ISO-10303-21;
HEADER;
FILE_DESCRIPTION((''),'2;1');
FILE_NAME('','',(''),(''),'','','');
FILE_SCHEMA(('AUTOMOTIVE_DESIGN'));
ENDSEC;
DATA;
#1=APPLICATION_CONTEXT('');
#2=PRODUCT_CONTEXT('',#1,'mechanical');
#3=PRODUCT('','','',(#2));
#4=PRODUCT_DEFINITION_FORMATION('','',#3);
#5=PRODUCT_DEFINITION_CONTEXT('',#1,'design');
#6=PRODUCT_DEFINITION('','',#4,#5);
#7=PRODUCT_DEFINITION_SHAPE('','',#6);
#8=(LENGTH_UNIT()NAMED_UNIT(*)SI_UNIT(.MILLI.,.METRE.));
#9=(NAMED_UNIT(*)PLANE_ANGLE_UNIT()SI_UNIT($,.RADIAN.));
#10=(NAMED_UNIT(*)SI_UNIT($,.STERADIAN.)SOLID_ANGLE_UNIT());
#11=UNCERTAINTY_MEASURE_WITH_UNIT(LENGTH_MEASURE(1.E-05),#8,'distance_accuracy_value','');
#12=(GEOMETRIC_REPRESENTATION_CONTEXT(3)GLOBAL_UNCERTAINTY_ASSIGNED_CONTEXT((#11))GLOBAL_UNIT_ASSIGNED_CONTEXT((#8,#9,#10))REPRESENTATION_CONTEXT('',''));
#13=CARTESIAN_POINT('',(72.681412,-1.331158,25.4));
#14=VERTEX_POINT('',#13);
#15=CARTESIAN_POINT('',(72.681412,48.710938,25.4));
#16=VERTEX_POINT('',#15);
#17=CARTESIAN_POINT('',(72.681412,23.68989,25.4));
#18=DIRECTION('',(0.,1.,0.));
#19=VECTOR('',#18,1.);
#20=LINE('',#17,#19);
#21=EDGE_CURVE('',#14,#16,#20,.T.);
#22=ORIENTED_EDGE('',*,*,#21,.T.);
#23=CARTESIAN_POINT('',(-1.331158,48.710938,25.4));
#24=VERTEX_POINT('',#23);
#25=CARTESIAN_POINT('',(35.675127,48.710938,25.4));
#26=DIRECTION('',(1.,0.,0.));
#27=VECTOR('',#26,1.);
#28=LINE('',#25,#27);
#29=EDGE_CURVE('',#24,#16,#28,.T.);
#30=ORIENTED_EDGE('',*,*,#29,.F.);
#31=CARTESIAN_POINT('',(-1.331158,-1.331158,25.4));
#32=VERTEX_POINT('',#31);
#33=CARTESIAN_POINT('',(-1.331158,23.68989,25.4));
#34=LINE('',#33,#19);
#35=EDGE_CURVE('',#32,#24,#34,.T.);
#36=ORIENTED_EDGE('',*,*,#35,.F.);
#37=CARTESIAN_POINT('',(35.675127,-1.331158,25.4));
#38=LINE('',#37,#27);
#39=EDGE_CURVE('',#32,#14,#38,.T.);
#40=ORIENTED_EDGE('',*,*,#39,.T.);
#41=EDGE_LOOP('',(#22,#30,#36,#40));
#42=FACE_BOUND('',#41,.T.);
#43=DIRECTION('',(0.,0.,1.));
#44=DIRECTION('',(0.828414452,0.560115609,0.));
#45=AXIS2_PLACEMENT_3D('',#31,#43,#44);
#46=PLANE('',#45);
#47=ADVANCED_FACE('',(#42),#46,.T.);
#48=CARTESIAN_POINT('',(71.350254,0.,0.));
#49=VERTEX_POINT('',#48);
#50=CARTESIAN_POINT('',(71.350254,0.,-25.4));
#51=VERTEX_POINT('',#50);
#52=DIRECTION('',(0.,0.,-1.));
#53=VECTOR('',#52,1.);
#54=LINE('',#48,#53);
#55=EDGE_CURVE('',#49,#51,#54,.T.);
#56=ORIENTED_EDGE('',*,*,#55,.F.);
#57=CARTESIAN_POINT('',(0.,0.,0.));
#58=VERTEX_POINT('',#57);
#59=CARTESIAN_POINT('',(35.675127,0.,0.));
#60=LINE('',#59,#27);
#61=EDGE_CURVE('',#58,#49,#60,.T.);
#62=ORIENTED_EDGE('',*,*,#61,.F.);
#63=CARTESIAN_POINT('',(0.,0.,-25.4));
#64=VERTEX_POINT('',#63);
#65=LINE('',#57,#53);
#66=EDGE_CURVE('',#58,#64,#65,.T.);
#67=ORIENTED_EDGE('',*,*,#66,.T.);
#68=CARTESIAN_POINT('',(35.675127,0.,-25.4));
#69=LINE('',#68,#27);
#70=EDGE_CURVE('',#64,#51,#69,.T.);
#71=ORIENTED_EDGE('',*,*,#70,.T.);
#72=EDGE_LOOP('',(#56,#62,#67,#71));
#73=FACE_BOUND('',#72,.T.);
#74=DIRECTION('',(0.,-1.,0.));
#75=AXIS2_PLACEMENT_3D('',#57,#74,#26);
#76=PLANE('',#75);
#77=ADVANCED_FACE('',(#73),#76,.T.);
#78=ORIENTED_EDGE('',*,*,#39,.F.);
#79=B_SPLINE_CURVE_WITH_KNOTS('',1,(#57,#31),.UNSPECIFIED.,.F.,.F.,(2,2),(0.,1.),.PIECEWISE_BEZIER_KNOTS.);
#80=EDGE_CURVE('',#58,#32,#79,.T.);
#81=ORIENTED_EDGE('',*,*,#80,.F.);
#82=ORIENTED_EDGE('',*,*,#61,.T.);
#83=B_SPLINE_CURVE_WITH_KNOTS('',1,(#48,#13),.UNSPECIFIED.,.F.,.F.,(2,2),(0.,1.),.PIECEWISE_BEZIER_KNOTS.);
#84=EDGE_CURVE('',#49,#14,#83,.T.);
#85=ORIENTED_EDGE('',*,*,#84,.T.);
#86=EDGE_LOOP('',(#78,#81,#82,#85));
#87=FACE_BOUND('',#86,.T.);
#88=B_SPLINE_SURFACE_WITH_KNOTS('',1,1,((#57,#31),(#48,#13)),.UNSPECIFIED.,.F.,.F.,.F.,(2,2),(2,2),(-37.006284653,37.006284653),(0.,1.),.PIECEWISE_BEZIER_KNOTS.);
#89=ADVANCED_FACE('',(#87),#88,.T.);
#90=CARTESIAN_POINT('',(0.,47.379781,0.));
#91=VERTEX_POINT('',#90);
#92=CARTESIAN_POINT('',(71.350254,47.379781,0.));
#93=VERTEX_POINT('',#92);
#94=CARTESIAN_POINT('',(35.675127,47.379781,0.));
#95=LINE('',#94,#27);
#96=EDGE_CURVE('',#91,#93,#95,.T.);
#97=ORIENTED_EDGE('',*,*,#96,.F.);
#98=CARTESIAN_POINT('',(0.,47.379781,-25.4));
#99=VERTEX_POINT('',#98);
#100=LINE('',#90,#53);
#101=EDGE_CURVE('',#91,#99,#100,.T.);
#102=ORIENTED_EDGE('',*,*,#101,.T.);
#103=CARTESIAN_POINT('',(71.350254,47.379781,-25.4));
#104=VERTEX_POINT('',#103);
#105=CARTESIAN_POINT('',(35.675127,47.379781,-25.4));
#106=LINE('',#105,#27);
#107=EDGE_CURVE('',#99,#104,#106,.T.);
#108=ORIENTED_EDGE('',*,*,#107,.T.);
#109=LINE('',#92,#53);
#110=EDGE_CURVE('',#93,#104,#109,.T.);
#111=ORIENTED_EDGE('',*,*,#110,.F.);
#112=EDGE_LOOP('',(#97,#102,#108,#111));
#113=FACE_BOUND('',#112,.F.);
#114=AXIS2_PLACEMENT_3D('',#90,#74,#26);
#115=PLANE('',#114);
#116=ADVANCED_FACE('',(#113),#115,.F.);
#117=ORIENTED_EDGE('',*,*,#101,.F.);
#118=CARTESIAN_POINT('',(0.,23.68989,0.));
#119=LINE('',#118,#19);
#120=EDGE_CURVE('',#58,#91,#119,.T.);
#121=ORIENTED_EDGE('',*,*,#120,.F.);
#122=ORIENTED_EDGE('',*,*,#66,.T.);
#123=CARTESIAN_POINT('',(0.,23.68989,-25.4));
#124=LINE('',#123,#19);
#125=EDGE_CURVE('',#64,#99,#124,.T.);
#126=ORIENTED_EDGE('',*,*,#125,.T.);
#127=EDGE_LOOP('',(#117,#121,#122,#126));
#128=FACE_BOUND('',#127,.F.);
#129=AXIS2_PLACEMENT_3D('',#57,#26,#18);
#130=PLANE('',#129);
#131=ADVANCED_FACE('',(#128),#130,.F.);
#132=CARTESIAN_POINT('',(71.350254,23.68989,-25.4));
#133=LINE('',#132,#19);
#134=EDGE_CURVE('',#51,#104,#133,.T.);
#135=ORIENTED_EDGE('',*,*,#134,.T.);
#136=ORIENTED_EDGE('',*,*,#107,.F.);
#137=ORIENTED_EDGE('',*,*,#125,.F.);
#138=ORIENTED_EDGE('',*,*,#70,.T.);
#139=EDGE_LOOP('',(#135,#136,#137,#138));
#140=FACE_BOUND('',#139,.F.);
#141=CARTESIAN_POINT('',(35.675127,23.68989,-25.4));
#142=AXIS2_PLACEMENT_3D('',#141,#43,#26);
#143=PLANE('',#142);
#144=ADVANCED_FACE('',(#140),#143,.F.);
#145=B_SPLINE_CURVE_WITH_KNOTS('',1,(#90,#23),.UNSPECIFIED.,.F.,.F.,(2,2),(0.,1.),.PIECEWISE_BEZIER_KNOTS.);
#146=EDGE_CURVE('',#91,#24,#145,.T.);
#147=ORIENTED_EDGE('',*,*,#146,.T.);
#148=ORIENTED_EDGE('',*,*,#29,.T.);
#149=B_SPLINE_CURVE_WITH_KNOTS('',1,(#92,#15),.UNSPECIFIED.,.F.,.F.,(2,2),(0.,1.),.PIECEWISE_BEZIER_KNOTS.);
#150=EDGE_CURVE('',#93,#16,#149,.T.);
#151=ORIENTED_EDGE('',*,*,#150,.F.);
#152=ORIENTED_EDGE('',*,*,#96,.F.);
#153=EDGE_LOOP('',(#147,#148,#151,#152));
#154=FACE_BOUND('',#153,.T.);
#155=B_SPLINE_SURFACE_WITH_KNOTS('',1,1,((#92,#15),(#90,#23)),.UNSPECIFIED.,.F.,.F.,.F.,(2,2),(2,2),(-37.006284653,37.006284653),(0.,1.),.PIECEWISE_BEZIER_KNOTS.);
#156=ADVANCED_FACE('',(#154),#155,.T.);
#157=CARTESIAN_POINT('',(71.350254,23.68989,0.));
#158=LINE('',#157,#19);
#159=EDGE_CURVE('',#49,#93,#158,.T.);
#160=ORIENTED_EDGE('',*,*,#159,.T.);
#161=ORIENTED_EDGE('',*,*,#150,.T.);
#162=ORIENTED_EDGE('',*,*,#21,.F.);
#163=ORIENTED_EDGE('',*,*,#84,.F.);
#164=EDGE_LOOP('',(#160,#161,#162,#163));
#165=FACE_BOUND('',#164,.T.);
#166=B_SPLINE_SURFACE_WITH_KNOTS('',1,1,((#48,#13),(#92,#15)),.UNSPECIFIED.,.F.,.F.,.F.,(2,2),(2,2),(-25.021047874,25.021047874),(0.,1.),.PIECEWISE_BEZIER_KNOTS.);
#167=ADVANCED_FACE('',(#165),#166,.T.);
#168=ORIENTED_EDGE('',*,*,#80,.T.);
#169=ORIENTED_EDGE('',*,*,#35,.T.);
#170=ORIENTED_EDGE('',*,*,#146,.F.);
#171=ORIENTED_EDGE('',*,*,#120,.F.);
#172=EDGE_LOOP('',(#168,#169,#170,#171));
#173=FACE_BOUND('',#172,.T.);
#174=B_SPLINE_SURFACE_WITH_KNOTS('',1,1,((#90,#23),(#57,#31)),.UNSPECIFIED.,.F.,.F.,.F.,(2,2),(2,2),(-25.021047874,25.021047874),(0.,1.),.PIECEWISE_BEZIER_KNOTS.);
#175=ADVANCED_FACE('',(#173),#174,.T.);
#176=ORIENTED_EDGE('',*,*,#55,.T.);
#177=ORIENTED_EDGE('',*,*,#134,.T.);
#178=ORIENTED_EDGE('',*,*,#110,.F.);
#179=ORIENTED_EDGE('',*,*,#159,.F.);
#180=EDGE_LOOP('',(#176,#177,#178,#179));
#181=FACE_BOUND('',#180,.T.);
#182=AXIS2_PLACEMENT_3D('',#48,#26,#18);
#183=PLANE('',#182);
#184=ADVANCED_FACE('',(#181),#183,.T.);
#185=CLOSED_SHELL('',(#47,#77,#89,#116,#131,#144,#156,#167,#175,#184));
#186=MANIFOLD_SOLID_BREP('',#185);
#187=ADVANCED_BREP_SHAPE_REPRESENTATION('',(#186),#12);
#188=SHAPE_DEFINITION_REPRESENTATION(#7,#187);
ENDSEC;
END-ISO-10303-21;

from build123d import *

# Parameters (mm, degrees)
F0_W          = 71.3502541184
F0_H          = 47.3797805607
F1_DEPTH      = 25.4
F1_TAPER      = -3
F1_DEPTH_BACK = 25.4


with BuildPart() as f1:
    # F0 (on Top) → F1 (new body, two sides)
    with BuildSketch(Plane.XY) as f1_sk:
        with Locations((35.6751270592, 23.6898902804)):
            Rectangle(F0_W, F0_H)
    extrude(amount=F1_DEPTH, taper=F1_TAPER)
    extrude(f1_sk.sketch, amount=-F1_DEPTH_BACK)


solid = f1.part
